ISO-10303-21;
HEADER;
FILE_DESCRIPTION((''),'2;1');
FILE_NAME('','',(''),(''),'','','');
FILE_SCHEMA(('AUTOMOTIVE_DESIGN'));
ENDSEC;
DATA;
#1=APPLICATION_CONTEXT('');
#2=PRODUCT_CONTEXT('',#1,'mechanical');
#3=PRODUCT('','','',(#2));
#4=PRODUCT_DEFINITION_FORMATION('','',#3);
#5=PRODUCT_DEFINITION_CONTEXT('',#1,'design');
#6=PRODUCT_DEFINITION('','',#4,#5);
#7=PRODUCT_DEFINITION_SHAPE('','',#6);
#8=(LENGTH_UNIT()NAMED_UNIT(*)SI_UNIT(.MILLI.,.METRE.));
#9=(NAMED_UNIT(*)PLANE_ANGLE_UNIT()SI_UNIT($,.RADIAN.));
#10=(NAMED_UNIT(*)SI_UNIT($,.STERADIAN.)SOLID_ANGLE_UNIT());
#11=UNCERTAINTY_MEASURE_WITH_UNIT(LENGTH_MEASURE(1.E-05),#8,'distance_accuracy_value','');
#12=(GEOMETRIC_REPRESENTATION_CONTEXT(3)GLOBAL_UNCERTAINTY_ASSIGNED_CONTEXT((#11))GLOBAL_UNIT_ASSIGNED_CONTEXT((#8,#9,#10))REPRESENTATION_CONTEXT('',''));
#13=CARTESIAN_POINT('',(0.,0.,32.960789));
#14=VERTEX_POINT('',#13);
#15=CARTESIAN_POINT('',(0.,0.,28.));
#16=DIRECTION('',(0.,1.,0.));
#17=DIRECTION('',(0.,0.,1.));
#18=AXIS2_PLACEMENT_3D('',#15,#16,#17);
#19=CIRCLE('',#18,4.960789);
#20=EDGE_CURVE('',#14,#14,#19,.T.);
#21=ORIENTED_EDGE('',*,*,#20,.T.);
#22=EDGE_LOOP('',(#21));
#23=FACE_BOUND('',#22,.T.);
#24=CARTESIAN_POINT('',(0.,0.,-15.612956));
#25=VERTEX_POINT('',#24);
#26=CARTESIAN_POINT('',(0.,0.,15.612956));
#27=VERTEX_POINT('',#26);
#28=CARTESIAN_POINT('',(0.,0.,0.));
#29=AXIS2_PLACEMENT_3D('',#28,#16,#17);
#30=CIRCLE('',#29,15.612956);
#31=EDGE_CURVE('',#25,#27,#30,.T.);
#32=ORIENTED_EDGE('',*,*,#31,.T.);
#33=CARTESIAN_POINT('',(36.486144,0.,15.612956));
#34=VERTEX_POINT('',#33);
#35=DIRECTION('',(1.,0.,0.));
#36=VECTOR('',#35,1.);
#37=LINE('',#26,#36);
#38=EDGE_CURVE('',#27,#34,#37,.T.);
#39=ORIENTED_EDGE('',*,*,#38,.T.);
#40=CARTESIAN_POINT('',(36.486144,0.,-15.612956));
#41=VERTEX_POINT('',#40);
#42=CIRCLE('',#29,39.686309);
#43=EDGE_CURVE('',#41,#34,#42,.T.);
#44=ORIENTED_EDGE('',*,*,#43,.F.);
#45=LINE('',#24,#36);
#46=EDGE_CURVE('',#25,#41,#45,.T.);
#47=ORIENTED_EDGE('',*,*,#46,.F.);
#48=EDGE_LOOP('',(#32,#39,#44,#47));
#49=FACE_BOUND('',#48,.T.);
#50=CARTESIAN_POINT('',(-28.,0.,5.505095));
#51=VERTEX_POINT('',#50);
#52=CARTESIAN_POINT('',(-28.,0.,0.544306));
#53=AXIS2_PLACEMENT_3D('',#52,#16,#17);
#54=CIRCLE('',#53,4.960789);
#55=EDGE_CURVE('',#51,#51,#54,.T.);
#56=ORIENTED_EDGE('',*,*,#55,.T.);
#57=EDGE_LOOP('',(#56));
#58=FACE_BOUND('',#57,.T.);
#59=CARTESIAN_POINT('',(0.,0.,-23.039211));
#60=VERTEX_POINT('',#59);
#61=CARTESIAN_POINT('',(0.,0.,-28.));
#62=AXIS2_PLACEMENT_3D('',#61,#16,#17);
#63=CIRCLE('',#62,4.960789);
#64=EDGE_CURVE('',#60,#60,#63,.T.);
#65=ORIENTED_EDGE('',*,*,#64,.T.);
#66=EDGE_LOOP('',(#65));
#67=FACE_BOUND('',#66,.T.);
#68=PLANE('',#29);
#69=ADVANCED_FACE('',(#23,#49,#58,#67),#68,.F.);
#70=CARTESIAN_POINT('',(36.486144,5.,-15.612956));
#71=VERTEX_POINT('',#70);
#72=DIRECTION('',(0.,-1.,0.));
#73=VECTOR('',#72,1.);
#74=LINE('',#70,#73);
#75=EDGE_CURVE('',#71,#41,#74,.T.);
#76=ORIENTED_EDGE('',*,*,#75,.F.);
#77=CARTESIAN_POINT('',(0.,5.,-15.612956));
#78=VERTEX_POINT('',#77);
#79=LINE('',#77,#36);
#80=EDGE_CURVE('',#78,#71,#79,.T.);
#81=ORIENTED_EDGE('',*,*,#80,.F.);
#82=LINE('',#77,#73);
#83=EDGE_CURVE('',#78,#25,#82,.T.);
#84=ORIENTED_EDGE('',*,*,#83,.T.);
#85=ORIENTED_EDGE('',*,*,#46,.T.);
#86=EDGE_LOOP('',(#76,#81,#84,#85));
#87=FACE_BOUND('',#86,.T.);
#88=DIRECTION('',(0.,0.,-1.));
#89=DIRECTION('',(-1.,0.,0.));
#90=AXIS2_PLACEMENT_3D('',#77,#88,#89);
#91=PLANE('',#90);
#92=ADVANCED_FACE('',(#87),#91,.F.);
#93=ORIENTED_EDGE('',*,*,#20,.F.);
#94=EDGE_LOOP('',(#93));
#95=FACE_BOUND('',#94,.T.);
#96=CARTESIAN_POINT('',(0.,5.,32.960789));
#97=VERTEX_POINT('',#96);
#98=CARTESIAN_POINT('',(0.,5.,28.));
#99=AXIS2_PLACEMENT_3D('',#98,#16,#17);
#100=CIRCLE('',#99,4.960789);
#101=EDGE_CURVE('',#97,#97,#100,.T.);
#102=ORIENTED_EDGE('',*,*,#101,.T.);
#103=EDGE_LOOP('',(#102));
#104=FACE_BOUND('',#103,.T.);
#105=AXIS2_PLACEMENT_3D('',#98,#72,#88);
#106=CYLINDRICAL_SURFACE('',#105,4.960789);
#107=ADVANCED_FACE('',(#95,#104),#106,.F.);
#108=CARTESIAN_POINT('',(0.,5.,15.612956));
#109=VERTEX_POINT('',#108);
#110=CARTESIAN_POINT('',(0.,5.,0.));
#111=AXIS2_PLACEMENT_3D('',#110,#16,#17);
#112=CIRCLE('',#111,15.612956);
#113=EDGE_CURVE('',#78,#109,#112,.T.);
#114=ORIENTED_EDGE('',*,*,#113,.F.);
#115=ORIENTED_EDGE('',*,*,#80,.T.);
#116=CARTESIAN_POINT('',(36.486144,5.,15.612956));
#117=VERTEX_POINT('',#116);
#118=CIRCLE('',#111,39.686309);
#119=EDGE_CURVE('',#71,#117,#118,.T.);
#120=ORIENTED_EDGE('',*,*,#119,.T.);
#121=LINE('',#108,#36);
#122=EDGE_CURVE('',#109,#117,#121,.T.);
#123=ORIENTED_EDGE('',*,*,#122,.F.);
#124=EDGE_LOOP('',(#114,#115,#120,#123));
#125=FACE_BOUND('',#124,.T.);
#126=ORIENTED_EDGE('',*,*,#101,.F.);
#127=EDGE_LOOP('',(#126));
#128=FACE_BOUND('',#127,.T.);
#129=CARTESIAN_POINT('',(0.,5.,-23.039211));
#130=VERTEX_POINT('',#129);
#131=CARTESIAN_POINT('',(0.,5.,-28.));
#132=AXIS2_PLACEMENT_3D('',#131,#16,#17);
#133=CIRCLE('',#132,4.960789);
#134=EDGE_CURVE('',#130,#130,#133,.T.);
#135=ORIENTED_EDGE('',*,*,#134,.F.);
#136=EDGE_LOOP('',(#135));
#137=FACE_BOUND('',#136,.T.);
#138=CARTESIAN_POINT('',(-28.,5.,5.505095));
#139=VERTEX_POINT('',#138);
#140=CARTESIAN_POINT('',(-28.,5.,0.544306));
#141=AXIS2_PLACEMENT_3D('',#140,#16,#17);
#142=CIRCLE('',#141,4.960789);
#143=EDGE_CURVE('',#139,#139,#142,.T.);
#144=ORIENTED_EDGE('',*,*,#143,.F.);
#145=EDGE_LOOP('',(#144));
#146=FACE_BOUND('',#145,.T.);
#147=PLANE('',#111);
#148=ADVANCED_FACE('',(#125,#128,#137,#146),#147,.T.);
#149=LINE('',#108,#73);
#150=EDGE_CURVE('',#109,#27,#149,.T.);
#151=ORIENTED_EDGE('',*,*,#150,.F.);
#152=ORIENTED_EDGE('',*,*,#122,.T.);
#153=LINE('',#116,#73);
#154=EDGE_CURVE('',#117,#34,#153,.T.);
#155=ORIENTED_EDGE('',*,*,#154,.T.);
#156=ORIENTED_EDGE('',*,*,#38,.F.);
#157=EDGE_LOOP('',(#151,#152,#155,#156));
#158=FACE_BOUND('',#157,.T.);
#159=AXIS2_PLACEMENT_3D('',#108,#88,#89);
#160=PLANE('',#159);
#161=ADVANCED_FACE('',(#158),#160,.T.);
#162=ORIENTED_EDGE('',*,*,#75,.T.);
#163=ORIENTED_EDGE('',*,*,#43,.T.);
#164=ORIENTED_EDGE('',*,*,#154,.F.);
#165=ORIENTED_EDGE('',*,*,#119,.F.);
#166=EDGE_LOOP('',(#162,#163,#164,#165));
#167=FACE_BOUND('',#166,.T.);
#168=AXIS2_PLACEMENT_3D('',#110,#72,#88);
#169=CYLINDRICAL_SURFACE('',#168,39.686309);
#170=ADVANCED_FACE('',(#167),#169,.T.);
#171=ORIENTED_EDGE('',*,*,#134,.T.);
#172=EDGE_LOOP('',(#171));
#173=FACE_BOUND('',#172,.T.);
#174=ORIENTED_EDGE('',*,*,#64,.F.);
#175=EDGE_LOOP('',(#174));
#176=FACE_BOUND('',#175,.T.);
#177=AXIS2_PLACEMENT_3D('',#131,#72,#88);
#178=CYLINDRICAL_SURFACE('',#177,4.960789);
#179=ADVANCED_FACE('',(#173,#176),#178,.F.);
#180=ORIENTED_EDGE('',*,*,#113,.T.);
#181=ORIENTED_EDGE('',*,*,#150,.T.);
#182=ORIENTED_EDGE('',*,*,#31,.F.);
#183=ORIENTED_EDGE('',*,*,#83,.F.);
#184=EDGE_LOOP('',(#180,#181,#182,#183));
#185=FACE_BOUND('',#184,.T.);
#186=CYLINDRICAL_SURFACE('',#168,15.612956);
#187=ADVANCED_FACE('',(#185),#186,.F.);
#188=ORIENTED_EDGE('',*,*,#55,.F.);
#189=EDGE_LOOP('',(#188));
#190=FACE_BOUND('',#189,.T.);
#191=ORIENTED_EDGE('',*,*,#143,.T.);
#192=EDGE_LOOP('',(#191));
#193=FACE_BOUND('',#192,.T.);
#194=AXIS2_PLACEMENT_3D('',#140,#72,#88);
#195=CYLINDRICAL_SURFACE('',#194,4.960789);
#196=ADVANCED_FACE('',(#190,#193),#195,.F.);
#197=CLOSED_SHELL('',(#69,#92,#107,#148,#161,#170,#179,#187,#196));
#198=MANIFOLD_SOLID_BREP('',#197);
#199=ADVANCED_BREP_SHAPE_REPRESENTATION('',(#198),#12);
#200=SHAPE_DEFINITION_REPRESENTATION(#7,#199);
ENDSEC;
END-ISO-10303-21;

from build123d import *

# Parameters (mm, degrees)
IZIM1_R                     = 4.960788644
Y_KSEKLIK_EKSTR_ZYON1_DEPTH = 5


with BuildPart() as part:
    # Çizim1 → Yükseklik-Ekstrüzyon1 (new body)
    with BuildSketch(Plane(origin=(0, 0, 0), x_dir=(1, 0, 0), z_dir=(0, 1, 0))):
        with BuildLine():
            ThreePointArc((0, -15.612956291), (-15.612956291, 0), (0, 15.612956291))
            Line((0, 15.612956291), (36.486144355, 15.612956291))
            ThreePointArc((36.486144355, 15.612956291), (-39.686309151, 0), (36.486144355, -15.612956291))
            Line((36.486144355, -15.612956291), (0, -15.612956291))
        make_face()
        with Locations(Location((-28, -0.544306251, 0), (0, 0, 270))):
            Circle(IZIM1_R, mode=Mode.SUBTRACT)
        with Locations(Location((0, -28, 0), (0, 0, 270))):
            Circle(IZIM1_R, mode=Mode.SUBTRACT)
        with Locations(Location((0, 28, 0), (0, 0, 270))):
            Circle(IZIM1_R, mode=Mode.SUBTRACT)
    extrude(amount=Y_KSEKLIK_EKSTR_ZYON1_DEPTH)


solid = part.part
